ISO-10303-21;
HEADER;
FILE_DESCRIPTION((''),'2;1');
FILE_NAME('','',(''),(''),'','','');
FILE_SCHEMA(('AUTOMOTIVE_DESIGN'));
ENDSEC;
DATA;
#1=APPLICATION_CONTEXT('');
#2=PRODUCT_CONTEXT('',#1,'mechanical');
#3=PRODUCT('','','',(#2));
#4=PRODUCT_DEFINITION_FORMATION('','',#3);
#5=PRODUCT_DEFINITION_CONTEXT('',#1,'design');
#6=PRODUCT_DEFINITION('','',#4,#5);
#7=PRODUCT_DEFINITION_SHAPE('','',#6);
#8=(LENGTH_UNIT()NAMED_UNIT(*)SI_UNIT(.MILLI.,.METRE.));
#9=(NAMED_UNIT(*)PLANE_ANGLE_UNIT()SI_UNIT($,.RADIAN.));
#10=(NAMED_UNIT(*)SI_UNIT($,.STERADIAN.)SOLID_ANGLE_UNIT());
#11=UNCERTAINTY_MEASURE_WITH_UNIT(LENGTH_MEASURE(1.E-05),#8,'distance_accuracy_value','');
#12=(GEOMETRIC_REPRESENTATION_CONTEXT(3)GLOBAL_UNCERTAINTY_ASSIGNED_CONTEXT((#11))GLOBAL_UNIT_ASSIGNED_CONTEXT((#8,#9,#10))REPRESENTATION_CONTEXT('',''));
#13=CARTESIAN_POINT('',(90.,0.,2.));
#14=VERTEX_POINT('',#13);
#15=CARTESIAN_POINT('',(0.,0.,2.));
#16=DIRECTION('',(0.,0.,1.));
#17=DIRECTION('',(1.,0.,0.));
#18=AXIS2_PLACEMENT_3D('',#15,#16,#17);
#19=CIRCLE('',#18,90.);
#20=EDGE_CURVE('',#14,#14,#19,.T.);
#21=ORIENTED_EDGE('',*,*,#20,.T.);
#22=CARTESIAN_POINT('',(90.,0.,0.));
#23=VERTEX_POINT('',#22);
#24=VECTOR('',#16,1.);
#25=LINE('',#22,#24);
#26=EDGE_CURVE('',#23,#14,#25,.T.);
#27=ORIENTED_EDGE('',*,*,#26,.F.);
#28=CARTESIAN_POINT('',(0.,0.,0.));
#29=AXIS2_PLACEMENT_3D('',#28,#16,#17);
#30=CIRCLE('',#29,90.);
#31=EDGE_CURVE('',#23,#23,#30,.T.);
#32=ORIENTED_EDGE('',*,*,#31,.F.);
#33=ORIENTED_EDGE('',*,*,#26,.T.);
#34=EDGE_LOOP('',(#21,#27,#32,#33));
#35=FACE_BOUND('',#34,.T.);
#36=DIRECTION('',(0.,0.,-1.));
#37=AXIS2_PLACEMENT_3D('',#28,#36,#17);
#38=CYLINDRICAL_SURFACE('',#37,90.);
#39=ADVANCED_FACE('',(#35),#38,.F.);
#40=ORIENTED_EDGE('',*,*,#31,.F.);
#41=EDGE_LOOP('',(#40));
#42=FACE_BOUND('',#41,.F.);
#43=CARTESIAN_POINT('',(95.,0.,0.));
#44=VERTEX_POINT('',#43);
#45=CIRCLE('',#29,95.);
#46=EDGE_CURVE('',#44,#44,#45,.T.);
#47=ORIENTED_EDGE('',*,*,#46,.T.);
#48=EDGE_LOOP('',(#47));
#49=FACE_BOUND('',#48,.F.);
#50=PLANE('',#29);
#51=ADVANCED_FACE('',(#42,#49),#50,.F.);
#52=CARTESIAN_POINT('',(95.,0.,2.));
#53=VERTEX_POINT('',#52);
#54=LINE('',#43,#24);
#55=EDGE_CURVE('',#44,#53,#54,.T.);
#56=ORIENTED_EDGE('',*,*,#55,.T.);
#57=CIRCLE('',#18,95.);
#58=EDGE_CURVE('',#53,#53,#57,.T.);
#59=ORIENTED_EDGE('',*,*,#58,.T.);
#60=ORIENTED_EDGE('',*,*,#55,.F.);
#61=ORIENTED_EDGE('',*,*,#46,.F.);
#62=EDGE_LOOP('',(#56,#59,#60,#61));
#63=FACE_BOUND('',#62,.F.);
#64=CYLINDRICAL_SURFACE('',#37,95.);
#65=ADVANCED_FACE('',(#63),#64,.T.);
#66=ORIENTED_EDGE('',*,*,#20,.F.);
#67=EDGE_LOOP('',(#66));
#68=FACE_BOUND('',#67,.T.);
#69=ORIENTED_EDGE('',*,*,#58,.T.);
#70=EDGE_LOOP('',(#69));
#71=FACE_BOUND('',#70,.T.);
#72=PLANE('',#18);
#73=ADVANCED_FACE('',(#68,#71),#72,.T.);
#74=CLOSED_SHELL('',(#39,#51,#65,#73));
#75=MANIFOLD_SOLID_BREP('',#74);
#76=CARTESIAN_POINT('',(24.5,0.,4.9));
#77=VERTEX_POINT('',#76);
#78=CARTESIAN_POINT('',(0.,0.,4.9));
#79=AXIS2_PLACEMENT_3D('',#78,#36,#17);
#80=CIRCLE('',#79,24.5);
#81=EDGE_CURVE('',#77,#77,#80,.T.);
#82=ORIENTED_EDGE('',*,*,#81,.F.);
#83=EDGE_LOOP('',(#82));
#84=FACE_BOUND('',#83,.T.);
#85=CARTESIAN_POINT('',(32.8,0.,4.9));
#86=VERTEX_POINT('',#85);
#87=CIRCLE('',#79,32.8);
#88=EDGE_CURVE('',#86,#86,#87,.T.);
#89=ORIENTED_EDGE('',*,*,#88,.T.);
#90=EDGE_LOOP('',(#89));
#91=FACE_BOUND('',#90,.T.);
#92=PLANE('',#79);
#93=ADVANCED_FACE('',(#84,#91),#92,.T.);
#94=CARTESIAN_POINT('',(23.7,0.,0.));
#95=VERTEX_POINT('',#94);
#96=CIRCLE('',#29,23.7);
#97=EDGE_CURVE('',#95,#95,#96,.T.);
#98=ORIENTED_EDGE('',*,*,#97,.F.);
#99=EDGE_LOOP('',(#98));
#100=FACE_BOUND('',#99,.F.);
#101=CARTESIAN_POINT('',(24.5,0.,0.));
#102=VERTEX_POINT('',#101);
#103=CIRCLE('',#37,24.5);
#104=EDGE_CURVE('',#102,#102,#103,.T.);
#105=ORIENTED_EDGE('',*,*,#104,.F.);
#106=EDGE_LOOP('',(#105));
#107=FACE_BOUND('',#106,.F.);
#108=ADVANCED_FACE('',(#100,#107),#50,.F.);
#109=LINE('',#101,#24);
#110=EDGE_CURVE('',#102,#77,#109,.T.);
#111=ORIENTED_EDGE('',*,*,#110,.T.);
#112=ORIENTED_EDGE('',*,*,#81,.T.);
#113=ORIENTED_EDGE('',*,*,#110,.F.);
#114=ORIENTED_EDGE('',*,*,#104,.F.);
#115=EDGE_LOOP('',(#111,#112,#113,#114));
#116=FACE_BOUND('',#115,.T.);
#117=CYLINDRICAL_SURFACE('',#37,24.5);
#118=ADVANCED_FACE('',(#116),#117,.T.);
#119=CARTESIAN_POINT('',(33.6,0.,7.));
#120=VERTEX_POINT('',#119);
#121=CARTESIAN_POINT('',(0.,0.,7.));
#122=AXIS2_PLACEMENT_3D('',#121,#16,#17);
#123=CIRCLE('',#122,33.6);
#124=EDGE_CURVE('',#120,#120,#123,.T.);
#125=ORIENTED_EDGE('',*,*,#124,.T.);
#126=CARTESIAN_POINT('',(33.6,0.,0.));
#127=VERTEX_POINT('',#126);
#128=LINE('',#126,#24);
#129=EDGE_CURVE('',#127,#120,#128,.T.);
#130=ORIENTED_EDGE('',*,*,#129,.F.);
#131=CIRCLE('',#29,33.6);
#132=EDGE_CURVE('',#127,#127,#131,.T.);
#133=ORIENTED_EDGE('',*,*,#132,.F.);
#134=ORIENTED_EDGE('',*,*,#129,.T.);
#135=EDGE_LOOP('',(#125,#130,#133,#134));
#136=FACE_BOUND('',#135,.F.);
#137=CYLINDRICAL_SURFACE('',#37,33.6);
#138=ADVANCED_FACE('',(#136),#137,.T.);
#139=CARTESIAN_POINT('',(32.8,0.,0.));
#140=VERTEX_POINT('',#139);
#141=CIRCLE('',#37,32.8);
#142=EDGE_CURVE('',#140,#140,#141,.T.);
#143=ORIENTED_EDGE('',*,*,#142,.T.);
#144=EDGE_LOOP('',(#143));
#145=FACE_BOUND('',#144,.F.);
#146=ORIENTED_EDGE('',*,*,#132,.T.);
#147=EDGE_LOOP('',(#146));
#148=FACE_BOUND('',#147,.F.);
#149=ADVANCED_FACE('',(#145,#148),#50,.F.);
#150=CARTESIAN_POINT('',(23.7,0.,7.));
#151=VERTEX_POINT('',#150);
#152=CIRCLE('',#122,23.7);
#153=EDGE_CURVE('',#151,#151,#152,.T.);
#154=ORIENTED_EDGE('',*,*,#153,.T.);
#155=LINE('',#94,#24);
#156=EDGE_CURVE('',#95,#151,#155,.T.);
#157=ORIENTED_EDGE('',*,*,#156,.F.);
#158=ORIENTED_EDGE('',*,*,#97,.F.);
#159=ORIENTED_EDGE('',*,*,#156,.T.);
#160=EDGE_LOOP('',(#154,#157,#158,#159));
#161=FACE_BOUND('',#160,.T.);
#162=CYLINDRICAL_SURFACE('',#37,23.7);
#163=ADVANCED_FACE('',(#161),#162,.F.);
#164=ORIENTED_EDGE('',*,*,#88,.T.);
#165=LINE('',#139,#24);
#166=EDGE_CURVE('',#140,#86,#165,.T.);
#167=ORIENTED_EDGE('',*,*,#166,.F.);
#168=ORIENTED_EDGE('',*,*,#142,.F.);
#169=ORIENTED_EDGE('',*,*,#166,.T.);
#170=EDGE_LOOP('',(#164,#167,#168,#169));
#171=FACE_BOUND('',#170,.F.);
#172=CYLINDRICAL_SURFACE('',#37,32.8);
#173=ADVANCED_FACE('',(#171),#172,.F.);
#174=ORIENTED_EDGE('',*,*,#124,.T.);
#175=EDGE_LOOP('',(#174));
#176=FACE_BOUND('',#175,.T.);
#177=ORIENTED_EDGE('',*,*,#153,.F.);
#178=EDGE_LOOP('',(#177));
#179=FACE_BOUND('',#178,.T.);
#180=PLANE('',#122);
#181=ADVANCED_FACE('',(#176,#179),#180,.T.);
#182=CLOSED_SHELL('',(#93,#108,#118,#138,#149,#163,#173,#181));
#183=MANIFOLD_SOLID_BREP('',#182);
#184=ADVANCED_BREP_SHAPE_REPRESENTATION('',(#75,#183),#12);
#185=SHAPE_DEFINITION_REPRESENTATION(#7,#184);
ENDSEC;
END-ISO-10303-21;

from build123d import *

# Parameters (mm, degrees)
F0_R     = 95
F0_R_2   = 90
F1_DEPTH = 2
F0_R_3   = 33.6
F0_R_4   = 23.7
F2_DEPTH = 7
F3_R     = 32.8
F3_R_2   = 24.5
F4_DEPTH = 4.9


with BuildPart() as f1:
    # F0 (on Top) → F1 (new body)
    with BuildSketch(Plane.XY):
        Circle(F0_R)
        Circle(F0_R_2, mode=Mode.SUBTRACT)
    extrude(amount=F1_DEPTH)


with BuildPart() as f2:
    # F0 (on Top) → F2 (new body)
    with BuildSketch(Plane.XY):
        Circle(F0_R_3)
        Circle(F0_R_4, mode=Mode.SUBTRACT)
    extrude(amount=F2_DEPTH)

    # F3 (on face) → F4 (cut)
    with BuildSketch(Plane(origin=(0, 0, 0), x_dir=(1, 0, 0), z_dir=(0, 0, -1))):
        Circle(F3_R)
        Circle(F3_R_2, mode=Mode.SUBTRACT)
    extrude(amount=-F4_DEPTH, mode=Mode.SUBTRACT)


solid = Compound([f1.part, f2.part])
